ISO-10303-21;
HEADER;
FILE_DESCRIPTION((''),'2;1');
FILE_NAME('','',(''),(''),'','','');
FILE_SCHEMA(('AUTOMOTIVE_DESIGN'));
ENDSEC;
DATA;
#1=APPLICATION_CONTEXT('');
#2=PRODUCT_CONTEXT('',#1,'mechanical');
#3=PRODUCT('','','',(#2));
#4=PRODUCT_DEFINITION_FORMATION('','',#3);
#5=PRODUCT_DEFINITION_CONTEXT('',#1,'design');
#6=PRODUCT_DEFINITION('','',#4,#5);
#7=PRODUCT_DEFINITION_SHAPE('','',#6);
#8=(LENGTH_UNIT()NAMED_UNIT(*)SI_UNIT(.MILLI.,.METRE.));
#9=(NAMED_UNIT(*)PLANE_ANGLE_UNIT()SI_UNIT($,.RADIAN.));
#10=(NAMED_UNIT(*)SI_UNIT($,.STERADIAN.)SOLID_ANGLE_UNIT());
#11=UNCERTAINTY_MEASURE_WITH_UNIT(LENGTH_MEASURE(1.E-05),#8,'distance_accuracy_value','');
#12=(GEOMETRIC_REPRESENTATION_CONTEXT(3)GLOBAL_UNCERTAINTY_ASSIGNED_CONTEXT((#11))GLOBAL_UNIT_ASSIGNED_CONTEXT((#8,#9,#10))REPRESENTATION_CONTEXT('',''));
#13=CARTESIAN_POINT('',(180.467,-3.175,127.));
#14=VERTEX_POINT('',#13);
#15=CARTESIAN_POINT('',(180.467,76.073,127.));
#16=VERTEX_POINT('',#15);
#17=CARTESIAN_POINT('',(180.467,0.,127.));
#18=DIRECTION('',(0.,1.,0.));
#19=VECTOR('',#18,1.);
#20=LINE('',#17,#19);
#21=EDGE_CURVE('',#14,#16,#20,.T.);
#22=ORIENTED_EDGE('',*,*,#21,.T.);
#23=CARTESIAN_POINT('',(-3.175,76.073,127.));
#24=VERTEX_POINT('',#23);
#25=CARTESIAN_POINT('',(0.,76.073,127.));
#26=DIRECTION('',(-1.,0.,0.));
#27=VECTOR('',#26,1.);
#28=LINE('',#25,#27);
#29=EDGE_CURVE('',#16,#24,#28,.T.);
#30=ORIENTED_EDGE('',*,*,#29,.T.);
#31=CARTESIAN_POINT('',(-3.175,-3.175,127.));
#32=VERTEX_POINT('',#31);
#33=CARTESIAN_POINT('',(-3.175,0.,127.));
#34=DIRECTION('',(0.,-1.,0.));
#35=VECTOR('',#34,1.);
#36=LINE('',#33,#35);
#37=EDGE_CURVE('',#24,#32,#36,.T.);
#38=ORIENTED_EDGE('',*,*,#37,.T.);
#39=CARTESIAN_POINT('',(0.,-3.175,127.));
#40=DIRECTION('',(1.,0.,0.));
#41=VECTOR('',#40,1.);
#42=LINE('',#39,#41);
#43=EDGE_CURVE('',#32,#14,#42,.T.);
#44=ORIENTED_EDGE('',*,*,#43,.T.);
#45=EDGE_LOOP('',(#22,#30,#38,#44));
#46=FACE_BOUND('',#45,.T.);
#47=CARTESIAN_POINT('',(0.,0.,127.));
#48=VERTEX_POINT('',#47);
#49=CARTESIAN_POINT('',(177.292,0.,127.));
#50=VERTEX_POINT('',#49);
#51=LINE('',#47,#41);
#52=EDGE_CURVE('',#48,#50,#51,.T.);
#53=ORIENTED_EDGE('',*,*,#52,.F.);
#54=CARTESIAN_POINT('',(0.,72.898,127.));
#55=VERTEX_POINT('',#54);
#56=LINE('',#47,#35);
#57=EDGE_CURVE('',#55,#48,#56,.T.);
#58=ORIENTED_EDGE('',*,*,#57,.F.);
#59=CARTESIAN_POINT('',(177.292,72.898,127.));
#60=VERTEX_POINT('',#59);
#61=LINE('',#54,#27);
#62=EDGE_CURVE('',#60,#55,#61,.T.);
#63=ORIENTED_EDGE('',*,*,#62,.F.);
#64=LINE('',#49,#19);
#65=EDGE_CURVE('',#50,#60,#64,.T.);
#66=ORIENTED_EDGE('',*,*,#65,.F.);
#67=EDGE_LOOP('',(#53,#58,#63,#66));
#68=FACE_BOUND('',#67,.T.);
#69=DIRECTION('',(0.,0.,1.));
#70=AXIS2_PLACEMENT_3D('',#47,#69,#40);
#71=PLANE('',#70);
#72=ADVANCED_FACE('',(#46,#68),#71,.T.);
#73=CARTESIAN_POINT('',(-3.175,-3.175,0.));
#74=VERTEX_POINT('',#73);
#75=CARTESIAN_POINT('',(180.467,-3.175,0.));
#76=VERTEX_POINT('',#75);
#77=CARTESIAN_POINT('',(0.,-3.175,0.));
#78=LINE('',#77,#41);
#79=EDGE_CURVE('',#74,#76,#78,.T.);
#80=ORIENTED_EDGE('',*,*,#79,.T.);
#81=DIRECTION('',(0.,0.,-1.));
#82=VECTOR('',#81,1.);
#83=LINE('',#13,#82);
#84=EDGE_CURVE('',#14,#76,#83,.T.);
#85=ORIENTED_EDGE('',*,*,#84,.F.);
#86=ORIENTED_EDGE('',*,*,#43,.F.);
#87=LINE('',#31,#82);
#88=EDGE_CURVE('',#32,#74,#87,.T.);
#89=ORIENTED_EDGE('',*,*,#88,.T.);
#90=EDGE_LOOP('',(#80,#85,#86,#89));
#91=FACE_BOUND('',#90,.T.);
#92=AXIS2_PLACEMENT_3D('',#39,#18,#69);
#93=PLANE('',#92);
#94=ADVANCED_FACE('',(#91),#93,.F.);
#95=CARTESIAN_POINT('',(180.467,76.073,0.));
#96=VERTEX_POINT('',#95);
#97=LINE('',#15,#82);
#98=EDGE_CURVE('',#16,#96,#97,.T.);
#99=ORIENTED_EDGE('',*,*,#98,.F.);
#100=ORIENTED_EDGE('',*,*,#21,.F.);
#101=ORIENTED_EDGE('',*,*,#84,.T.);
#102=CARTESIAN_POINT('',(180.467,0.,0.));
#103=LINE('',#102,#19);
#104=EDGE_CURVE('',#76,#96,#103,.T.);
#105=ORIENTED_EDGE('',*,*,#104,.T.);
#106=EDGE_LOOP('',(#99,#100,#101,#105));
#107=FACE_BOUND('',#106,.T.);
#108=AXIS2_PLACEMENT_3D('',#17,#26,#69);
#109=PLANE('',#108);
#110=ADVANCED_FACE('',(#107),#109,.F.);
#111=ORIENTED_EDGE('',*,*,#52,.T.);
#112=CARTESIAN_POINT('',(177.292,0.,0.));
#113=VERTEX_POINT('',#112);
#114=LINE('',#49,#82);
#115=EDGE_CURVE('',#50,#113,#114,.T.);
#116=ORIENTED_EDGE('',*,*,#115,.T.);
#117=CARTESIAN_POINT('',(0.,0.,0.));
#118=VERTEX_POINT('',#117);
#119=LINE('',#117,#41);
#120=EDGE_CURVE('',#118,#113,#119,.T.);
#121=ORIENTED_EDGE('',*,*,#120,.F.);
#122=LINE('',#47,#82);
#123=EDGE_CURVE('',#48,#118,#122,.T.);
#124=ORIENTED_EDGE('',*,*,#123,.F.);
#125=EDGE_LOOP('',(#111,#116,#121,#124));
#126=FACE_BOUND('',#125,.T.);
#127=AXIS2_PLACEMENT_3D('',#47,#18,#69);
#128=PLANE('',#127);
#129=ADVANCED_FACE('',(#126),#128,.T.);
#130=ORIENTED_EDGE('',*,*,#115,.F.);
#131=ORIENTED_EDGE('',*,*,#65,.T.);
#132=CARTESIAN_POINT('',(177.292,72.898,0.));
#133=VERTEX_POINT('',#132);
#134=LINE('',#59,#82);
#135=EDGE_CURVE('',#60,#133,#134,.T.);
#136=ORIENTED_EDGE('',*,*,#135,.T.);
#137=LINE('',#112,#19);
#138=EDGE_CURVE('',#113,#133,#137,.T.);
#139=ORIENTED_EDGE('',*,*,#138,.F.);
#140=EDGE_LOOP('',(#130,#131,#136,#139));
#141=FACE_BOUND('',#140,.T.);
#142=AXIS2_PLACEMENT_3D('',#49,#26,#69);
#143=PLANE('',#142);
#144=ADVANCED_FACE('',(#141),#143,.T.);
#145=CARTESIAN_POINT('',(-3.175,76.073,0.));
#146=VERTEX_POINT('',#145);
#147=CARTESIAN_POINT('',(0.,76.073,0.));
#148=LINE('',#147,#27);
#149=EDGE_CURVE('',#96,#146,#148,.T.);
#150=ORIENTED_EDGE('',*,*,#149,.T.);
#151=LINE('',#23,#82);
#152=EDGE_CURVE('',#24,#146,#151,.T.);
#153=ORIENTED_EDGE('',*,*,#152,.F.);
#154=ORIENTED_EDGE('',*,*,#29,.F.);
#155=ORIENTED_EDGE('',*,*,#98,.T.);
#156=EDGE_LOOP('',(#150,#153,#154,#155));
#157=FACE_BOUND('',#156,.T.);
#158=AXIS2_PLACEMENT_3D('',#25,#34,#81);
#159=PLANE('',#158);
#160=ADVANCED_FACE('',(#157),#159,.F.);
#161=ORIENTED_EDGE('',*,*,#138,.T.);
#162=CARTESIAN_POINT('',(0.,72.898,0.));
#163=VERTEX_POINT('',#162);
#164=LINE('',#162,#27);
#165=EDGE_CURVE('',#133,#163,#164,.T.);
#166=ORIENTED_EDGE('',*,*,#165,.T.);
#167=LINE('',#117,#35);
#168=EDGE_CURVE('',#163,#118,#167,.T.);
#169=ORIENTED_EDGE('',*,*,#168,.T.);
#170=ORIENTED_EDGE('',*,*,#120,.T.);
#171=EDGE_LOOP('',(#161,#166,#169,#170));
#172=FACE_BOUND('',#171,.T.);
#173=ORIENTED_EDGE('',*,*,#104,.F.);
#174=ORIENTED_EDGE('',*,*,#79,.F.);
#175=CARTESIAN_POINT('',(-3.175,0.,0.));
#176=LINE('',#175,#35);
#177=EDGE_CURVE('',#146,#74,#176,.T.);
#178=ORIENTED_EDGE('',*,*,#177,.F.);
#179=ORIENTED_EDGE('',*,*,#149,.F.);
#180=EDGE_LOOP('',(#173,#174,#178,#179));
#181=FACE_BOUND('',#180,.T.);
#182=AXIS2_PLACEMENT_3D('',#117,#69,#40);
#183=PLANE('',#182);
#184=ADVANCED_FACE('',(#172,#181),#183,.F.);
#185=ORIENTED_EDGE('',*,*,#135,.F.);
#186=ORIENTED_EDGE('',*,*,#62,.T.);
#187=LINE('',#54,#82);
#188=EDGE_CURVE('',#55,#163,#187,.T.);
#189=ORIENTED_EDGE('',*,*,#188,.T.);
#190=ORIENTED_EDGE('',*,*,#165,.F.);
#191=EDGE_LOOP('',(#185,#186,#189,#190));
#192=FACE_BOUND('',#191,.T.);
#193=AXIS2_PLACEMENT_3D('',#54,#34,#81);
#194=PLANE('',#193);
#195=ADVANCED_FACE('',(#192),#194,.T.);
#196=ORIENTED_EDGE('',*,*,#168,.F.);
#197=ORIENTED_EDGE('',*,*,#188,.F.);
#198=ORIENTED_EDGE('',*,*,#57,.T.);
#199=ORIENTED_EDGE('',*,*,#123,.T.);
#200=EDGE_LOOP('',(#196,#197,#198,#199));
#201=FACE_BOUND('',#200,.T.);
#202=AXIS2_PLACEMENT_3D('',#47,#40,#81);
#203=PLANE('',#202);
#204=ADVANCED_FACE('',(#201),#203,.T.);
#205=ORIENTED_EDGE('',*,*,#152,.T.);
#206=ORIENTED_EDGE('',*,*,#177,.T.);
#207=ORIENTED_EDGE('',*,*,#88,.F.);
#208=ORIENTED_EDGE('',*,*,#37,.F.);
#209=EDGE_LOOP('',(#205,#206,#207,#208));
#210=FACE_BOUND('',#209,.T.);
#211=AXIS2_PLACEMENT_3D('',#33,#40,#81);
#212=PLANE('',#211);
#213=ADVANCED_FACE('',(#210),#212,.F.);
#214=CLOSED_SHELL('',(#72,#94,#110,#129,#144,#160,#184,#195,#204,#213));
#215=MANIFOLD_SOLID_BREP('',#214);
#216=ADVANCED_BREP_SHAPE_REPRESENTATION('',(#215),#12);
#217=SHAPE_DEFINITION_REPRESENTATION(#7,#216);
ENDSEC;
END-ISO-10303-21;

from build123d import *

# Parameters (mm, degrees)
SKETCH1_W           = 183.642
SKETCH1_H           = 79.248
SKETCH1_W_2         = 177.292
SKETCH1_H_2         = 72.898
EXTRUDE_THIN1_DEPTH = 127


with BuildPart() as part:
    # Sketch1 → Extrude-Thin1 (new body)
    with BuildSketch(Plane.XY):
        with Locations((88.646, 36.449)):
            Rectangle(SKETCH1_W, SKETCH1_H)
        with Locations((88.646, 36.449)):
            Rectangle(SKETCH1_W_2, SKETCH1_H_2, mode=Mode.SUBTRACT)
    extrude(amount=EXTRUDE_THIN1_DEPTH)


solid = part.part
